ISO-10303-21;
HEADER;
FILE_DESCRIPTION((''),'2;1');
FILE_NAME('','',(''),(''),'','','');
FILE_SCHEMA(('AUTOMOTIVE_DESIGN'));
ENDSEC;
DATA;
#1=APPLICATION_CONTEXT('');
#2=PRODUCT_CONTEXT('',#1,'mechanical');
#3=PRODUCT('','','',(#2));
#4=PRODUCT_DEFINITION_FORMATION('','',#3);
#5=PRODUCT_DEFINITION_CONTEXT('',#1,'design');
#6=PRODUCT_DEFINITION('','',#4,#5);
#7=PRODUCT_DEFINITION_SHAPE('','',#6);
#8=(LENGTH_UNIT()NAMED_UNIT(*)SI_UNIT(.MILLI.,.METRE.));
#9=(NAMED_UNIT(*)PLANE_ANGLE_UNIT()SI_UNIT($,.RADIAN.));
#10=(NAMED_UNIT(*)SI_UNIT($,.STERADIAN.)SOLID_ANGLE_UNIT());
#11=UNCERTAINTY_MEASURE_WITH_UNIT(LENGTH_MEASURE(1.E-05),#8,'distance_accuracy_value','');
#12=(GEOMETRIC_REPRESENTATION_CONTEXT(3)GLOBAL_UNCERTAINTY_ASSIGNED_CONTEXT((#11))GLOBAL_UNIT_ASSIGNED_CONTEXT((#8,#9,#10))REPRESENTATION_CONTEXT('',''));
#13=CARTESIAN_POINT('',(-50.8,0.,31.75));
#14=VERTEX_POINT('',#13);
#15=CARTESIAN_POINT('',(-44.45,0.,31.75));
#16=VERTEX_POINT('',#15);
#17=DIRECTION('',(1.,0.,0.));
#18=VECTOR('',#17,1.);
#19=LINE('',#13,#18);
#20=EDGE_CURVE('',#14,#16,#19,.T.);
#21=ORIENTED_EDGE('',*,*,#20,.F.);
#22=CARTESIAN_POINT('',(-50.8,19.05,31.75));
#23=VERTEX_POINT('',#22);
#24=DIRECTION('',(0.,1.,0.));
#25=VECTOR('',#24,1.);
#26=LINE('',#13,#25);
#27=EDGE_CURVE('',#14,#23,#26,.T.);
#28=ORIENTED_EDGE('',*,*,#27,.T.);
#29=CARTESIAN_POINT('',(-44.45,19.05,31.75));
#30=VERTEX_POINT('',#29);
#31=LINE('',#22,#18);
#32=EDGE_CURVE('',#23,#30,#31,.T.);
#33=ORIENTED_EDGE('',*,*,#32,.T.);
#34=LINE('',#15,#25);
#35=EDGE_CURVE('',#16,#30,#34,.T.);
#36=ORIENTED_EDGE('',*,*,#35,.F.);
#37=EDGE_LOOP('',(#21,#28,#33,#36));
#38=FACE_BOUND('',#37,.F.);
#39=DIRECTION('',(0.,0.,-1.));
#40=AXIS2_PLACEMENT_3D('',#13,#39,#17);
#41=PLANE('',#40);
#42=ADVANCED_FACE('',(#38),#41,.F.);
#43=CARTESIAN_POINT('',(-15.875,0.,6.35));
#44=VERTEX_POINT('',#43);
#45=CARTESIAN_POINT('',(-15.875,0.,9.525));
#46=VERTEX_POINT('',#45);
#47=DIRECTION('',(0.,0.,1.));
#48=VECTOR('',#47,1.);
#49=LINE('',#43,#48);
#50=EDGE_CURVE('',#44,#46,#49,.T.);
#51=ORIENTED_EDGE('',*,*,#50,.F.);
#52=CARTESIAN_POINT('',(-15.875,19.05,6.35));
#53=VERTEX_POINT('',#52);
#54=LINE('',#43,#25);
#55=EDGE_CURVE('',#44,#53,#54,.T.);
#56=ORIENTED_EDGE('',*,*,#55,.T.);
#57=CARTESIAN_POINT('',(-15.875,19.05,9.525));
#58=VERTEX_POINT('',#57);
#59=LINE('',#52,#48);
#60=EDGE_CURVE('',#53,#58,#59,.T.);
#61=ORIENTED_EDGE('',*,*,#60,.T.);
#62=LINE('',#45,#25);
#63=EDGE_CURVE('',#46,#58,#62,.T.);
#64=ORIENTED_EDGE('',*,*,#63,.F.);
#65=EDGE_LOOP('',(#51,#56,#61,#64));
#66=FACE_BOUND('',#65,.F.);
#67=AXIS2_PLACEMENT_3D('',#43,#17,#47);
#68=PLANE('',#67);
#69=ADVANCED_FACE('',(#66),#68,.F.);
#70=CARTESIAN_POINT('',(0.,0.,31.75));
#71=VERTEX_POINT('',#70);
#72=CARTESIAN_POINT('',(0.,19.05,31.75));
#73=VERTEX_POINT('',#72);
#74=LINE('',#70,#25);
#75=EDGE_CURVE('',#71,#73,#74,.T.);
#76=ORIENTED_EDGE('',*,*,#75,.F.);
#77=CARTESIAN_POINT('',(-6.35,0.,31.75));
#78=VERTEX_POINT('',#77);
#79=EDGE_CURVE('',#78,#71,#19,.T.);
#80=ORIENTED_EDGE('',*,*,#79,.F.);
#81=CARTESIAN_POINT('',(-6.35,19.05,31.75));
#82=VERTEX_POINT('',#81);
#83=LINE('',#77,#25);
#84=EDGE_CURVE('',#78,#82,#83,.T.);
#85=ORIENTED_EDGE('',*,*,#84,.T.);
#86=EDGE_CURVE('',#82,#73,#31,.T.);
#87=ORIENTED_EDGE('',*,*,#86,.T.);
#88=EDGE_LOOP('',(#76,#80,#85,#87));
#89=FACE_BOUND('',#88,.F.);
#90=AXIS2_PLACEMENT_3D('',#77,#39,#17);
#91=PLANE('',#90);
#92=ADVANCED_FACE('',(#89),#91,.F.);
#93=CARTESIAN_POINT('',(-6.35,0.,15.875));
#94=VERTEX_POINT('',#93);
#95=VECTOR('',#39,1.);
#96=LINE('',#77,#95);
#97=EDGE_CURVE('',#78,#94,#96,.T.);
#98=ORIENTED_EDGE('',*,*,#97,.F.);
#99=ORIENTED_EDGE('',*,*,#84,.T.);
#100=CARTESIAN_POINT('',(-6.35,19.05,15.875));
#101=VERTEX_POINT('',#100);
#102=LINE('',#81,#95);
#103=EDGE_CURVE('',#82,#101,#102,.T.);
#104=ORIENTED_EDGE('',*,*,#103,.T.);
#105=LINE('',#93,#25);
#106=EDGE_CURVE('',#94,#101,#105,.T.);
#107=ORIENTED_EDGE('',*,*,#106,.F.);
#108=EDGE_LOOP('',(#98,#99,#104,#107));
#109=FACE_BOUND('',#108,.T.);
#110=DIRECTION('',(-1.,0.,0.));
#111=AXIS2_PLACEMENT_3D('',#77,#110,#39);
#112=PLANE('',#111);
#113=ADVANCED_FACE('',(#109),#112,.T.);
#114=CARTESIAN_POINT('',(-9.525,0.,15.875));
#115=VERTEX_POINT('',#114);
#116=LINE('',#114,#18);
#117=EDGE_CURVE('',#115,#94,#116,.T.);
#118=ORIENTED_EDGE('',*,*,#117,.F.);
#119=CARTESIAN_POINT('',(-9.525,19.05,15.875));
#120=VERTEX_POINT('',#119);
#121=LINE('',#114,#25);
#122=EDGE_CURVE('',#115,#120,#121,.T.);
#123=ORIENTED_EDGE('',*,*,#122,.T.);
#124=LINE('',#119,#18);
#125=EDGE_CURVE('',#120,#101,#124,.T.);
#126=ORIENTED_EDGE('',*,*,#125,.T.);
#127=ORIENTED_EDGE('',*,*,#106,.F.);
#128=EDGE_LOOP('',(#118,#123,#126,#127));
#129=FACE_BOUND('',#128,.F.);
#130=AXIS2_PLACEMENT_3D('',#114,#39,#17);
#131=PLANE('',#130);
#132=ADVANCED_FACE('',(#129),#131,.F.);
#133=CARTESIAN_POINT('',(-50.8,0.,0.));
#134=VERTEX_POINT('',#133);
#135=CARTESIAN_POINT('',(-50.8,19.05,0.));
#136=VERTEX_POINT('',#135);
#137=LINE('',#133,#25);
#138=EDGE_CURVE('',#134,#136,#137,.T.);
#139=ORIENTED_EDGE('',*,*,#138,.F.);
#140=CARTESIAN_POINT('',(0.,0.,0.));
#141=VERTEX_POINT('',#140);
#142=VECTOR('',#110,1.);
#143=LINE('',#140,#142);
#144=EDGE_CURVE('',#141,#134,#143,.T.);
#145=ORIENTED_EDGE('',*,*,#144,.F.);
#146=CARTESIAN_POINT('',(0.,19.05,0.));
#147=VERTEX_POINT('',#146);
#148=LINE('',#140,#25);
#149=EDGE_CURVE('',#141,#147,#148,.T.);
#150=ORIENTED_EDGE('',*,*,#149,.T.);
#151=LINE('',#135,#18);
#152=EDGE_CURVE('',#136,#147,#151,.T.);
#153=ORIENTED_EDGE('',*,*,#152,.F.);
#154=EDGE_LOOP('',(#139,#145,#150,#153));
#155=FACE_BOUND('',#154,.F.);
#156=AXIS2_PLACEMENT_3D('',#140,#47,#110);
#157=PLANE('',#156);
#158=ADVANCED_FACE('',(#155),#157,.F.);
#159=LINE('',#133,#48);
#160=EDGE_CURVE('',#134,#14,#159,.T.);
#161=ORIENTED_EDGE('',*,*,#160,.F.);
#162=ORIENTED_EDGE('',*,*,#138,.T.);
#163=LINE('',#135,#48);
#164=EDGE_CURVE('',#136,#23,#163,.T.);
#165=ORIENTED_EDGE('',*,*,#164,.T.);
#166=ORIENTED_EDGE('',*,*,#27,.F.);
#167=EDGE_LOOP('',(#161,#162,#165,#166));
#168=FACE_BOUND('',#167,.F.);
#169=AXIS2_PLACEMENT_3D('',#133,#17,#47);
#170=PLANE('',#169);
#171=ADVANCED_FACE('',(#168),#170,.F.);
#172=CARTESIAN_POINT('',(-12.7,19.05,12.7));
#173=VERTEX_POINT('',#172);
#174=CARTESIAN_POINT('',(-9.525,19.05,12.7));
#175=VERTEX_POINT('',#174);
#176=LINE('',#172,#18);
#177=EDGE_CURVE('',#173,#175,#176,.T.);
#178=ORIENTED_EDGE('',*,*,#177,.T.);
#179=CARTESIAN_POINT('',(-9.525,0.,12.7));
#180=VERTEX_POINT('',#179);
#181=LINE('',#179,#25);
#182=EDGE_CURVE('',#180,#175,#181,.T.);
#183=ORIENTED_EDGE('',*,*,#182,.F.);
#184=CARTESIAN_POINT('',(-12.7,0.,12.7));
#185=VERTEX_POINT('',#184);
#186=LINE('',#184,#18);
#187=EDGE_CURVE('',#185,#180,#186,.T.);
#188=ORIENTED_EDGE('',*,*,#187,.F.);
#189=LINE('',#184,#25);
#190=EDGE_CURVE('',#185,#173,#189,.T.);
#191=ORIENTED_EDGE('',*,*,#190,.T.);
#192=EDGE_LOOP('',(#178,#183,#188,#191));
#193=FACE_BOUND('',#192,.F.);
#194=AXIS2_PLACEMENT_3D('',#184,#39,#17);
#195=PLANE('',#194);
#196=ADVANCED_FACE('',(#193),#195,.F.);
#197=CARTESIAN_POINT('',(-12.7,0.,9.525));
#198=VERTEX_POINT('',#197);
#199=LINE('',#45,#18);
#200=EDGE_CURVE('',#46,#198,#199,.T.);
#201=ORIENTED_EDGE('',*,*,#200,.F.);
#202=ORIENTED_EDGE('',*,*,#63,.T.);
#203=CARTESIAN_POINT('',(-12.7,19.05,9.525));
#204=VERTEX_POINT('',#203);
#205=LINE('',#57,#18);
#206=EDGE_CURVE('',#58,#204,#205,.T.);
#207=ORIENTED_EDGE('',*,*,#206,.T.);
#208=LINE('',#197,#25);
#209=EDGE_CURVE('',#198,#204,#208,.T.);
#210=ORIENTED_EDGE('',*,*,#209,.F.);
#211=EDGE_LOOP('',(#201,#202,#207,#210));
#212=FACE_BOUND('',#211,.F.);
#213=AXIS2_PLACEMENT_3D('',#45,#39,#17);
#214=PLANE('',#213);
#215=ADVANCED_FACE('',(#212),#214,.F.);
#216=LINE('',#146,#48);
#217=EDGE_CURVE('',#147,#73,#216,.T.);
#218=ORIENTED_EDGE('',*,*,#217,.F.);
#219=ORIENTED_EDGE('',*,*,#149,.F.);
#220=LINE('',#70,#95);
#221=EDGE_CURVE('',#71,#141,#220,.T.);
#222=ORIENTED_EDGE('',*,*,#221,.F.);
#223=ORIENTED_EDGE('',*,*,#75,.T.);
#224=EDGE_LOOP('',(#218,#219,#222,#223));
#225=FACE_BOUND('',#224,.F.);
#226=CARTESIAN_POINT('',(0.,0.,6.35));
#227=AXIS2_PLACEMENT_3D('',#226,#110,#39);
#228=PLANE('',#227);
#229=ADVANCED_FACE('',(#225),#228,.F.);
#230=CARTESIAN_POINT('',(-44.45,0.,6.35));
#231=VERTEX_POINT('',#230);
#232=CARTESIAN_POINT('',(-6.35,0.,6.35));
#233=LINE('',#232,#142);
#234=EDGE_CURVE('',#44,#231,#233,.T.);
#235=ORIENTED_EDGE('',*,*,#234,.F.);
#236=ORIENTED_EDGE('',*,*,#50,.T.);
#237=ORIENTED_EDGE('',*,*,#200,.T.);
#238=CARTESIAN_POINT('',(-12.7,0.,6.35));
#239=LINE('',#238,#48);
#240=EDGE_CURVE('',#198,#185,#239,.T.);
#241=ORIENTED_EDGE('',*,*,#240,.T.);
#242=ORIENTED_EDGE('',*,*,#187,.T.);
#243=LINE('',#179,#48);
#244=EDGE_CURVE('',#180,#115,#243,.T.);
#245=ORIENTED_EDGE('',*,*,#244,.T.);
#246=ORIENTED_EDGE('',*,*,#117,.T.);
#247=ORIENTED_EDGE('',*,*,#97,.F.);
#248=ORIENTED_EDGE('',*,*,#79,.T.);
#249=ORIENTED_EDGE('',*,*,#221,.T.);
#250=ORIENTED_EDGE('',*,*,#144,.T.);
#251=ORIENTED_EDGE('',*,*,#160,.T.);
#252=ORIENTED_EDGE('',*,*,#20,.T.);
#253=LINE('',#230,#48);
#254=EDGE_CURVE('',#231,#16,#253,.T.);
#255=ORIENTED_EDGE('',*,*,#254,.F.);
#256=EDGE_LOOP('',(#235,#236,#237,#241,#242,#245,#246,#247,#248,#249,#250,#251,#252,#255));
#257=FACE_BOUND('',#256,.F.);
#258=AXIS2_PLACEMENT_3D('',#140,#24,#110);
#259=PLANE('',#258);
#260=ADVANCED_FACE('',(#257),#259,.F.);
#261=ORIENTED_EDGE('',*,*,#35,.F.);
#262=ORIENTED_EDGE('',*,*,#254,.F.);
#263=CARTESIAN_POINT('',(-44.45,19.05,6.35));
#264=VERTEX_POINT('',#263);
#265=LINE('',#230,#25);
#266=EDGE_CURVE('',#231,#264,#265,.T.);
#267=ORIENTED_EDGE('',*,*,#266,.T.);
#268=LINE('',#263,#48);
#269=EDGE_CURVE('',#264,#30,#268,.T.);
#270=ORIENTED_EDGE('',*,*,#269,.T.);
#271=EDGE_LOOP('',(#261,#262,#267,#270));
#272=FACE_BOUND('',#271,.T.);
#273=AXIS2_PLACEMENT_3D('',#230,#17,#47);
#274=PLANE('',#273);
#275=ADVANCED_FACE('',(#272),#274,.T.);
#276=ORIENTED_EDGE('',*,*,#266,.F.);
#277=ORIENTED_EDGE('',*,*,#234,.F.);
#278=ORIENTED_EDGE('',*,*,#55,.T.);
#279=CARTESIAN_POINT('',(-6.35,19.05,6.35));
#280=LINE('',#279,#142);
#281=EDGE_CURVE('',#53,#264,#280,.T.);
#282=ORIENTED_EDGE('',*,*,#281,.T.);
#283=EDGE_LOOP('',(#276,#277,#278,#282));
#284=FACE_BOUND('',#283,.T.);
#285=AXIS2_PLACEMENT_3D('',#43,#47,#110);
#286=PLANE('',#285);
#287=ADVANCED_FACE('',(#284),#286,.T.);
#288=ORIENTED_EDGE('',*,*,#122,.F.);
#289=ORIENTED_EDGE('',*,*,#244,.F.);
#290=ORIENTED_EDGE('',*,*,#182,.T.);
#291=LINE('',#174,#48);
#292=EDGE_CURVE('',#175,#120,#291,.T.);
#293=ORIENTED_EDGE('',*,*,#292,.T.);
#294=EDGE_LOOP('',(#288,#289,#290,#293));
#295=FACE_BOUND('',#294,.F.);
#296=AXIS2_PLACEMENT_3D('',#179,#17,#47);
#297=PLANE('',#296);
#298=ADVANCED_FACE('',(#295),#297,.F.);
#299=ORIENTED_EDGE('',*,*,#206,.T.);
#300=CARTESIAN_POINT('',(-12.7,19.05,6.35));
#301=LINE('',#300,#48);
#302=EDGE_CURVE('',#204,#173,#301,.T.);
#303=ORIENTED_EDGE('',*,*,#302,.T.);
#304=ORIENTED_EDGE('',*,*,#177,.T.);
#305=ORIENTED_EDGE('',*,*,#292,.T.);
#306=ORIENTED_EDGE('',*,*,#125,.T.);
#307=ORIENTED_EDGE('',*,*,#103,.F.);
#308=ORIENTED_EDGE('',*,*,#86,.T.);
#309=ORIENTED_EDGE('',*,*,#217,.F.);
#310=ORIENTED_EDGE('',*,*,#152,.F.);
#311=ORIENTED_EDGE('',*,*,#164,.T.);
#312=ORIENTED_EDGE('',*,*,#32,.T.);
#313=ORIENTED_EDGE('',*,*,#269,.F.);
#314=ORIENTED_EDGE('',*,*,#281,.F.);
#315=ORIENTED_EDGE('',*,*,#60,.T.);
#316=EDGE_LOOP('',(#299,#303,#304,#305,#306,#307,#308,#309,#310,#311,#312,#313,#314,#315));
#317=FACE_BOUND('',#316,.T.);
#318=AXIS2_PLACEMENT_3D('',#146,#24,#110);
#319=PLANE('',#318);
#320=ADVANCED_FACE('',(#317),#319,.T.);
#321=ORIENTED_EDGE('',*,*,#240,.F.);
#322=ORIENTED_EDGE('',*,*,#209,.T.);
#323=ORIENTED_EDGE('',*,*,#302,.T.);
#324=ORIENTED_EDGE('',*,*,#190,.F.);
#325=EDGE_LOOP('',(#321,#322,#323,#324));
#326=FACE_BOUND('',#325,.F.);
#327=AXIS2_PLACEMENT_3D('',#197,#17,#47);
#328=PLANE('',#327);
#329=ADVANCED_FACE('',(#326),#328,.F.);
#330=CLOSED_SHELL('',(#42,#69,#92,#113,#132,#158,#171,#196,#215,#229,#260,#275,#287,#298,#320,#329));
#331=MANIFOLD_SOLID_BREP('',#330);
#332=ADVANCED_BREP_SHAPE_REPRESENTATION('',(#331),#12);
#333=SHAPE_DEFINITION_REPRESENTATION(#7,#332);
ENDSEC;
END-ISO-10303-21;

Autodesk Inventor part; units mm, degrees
ref_plane "YZ Plane" through (0, 0, 0) normal (1, 0, 0) x (0, 1, 0)
ref_plane "XZ Plane" through (0, 0, 0) normal (0, 1, 0) x (-1, 0, 0)
ref_plane "XY Plane" through (0, 0, 0) normal (0, 0, 1) x (1, 0, 0)
sketch "Sketch1" plane through (0, 0, 0) normal (0, 1, 0) x (-1, 0, 0)
  line L0 (0, 0) -> (50.8, 0)
  line L1 (50.8, 0) -> (50.8, 31.75)
  line L2 (50.8, 31.75) -> (0, 31.75)
  line L3 (0, 31.75) -> (0, 0)
  line L4 (0, 0) -> (6.35, 0)
  line L5 (6.35, 0) -> (6.35, 6.35)
  line L6 (6.35, 6.35) -> (0, 6.35)
  line L7 (0, 6.35) -> (0, 0)
  line L8 (6.35, 6.35) -> (44.45, 6.35)
  line L9 (44.45, 6.35) -> (44.45, 31.75)
  line L10 (44.45, 31.75) -> (6.35, 31.75)
  line L11 (6.35, 31.75) -> (6.35, 6.35)
  line L12 (6.35, 6.35) -> (12.7, 6.35)
  line L13 (12.7, 6.35) -> (12.7, 12.7)
  line L14 (12.7, 12.7) -> (6.35, 12.7)
  line L15 (6.35, 12.7) -> (6.35, 6.35)
  line L16 (12.7, 6.35) -> (15.875, 6.35)
  line L17 (15.875, 6.35) -> (15.875, 9.525)
  line L18 (15.875, 9.525) -> (12.7, 9.525)
  line L19 (12.7, 9.525) -> (12.7, 6.35)
  line L20 (6.35, 12.7) -> (9.525, 12.7)
  line L21 (9.525, 12.7) -> (9.525, 15.875)
  line L22 (9.525, 15.875) -> (6.35, 15.875)
  line L23 (6.35, 15.875) -> (6.35, 12.7)
  dimension "d0" = 50.8
  dimension "d1" = 31.75
  dimension "d2" = 6.35
  dimension "d3" = 6.35
  dimension "d4" = 38.1
  dimension "d5" = 25.4
  dimension "d6" = 6.35
  dimension "d7" = 6.35
  dimension "d8" = 3.175
  dimension "d9" = 3.175
  dimension "d10" = 3.175
  dimension "d11" = 3.175
extrude "Extrusion1" add sketch "Sketch1" along normal blind 19.05 contours L3 L6 L5 L0 | L5 L8 L9 L2 L1 L0 | L3 L2 L11 L6 | L11 L14 L13 L8 | L13 L18 L17 L8 | L11 L22 L21 L14
properties part number "penHolderHolder"
